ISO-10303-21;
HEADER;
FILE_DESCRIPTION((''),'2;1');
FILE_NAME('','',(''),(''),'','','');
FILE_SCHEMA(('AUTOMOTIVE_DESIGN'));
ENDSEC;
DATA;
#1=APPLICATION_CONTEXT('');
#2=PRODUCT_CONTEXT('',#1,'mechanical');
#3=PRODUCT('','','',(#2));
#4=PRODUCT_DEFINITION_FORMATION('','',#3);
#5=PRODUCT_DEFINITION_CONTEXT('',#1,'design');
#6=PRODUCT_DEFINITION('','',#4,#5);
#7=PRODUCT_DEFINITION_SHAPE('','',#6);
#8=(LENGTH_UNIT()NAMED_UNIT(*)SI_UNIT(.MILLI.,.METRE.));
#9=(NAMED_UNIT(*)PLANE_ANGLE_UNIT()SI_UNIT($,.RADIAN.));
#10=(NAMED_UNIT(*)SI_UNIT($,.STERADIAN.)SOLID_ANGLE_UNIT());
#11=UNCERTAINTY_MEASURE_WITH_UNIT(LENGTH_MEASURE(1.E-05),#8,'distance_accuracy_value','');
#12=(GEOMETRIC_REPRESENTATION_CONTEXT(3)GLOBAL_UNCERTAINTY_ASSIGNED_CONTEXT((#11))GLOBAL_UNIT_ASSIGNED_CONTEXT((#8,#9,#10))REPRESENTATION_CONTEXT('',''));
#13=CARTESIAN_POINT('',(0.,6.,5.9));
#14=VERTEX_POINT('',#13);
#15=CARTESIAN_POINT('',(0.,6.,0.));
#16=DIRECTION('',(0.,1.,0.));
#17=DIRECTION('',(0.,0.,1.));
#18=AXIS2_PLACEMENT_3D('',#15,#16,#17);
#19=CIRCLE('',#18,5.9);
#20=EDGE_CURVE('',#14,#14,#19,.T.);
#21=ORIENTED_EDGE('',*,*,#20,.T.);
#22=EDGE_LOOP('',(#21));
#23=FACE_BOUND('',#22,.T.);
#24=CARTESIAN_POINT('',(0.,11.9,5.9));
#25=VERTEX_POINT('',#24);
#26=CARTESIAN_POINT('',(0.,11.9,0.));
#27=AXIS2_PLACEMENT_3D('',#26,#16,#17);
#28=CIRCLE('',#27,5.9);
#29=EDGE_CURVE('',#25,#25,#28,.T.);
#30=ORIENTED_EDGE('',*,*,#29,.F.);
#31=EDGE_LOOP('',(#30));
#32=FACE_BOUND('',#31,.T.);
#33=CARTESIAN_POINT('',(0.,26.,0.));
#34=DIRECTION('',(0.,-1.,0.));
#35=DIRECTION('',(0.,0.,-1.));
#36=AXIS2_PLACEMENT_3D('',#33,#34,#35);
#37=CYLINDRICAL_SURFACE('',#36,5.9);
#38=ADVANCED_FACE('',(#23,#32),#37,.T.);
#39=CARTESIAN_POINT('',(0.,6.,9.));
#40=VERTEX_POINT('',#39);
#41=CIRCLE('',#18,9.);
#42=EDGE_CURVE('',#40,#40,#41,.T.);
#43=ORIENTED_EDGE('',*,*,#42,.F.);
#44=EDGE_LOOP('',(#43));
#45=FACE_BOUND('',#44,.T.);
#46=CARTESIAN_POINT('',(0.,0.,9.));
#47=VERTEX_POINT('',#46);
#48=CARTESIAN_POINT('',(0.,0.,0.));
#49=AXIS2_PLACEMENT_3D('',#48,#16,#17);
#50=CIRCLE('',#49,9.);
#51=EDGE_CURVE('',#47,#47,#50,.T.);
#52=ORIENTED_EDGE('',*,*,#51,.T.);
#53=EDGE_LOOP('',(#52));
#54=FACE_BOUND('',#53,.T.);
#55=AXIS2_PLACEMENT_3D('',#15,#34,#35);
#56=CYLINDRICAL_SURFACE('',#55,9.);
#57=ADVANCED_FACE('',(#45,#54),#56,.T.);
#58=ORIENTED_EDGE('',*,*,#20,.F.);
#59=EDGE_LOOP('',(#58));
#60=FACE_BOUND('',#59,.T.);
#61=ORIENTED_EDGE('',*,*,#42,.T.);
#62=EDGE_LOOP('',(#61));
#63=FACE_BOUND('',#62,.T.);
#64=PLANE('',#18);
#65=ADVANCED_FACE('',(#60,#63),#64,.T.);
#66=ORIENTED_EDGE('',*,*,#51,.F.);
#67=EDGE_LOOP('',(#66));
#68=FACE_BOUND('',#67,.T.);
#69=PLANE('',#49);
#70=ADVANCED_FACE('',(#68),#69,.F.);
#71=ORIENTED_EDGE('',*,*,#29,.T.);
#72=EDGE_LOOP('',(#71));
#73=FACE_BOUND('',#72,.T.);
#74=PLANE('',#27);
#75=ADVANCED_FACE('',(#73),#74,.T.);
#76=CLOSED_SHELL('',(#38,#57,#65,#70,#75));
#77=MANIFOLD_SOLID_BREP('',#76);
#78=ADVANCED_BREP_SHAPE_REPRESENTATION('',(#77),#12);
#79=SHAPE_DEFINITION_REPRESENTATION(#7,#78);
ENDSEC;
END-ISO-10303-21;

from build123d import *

# Parameters (mm, degrees)
SKETCH1_R           = 9
BOSS_EXTRUDE1_DEPTH = 6
SKETCH2_R           = 5.9
BOSS_EXTRUDE2_DEPTH = 20
SKETCH5_R           = 9.837832021
CUT_EXTRUDE3_DEPTH  = 14.1


with BuildPart() as part:
    # Sketch1 → Boss-Extrude1 (new body)
    with BuildSketch(Plane(origin=(0, 0, 0), x_dir=(1, 0, 0), z_dir=(0, 1, 0))):
        with Locations(Location((0, 0, 0), (0, 0, 270))):
            Circle(SKETCH1_R)
    extrude(amount=BOSS_EXTRUDE1_DEPTH)

    # Sketch2 → Boss-Extrude2 (add)
    with BuildSketch(Plane(origin=(0, 6, 0), x_dir=(1, 0, 0), z_dir=(0, 1, 0))):
        with Locations(Location((0, 0, 0), (0, 0, 270))):
            Circle(SKETCH2_R)
    extrude(amount=BOSS_EXTRUDE2_DEPTH)

    # Sketch5 → Cut-Extrude3 (cut)
    with BuildSketch(Plane(origin=(0, 26, 0), x_dir=(1, 0, 0), z_dir=(0, 1, 0))):
        Circle(SKETCH5_R)
    extrude(amount=-CUT_EXTRUDE3_DEPTH, mode=Mode.SUBTRACT)


solid = part.part
